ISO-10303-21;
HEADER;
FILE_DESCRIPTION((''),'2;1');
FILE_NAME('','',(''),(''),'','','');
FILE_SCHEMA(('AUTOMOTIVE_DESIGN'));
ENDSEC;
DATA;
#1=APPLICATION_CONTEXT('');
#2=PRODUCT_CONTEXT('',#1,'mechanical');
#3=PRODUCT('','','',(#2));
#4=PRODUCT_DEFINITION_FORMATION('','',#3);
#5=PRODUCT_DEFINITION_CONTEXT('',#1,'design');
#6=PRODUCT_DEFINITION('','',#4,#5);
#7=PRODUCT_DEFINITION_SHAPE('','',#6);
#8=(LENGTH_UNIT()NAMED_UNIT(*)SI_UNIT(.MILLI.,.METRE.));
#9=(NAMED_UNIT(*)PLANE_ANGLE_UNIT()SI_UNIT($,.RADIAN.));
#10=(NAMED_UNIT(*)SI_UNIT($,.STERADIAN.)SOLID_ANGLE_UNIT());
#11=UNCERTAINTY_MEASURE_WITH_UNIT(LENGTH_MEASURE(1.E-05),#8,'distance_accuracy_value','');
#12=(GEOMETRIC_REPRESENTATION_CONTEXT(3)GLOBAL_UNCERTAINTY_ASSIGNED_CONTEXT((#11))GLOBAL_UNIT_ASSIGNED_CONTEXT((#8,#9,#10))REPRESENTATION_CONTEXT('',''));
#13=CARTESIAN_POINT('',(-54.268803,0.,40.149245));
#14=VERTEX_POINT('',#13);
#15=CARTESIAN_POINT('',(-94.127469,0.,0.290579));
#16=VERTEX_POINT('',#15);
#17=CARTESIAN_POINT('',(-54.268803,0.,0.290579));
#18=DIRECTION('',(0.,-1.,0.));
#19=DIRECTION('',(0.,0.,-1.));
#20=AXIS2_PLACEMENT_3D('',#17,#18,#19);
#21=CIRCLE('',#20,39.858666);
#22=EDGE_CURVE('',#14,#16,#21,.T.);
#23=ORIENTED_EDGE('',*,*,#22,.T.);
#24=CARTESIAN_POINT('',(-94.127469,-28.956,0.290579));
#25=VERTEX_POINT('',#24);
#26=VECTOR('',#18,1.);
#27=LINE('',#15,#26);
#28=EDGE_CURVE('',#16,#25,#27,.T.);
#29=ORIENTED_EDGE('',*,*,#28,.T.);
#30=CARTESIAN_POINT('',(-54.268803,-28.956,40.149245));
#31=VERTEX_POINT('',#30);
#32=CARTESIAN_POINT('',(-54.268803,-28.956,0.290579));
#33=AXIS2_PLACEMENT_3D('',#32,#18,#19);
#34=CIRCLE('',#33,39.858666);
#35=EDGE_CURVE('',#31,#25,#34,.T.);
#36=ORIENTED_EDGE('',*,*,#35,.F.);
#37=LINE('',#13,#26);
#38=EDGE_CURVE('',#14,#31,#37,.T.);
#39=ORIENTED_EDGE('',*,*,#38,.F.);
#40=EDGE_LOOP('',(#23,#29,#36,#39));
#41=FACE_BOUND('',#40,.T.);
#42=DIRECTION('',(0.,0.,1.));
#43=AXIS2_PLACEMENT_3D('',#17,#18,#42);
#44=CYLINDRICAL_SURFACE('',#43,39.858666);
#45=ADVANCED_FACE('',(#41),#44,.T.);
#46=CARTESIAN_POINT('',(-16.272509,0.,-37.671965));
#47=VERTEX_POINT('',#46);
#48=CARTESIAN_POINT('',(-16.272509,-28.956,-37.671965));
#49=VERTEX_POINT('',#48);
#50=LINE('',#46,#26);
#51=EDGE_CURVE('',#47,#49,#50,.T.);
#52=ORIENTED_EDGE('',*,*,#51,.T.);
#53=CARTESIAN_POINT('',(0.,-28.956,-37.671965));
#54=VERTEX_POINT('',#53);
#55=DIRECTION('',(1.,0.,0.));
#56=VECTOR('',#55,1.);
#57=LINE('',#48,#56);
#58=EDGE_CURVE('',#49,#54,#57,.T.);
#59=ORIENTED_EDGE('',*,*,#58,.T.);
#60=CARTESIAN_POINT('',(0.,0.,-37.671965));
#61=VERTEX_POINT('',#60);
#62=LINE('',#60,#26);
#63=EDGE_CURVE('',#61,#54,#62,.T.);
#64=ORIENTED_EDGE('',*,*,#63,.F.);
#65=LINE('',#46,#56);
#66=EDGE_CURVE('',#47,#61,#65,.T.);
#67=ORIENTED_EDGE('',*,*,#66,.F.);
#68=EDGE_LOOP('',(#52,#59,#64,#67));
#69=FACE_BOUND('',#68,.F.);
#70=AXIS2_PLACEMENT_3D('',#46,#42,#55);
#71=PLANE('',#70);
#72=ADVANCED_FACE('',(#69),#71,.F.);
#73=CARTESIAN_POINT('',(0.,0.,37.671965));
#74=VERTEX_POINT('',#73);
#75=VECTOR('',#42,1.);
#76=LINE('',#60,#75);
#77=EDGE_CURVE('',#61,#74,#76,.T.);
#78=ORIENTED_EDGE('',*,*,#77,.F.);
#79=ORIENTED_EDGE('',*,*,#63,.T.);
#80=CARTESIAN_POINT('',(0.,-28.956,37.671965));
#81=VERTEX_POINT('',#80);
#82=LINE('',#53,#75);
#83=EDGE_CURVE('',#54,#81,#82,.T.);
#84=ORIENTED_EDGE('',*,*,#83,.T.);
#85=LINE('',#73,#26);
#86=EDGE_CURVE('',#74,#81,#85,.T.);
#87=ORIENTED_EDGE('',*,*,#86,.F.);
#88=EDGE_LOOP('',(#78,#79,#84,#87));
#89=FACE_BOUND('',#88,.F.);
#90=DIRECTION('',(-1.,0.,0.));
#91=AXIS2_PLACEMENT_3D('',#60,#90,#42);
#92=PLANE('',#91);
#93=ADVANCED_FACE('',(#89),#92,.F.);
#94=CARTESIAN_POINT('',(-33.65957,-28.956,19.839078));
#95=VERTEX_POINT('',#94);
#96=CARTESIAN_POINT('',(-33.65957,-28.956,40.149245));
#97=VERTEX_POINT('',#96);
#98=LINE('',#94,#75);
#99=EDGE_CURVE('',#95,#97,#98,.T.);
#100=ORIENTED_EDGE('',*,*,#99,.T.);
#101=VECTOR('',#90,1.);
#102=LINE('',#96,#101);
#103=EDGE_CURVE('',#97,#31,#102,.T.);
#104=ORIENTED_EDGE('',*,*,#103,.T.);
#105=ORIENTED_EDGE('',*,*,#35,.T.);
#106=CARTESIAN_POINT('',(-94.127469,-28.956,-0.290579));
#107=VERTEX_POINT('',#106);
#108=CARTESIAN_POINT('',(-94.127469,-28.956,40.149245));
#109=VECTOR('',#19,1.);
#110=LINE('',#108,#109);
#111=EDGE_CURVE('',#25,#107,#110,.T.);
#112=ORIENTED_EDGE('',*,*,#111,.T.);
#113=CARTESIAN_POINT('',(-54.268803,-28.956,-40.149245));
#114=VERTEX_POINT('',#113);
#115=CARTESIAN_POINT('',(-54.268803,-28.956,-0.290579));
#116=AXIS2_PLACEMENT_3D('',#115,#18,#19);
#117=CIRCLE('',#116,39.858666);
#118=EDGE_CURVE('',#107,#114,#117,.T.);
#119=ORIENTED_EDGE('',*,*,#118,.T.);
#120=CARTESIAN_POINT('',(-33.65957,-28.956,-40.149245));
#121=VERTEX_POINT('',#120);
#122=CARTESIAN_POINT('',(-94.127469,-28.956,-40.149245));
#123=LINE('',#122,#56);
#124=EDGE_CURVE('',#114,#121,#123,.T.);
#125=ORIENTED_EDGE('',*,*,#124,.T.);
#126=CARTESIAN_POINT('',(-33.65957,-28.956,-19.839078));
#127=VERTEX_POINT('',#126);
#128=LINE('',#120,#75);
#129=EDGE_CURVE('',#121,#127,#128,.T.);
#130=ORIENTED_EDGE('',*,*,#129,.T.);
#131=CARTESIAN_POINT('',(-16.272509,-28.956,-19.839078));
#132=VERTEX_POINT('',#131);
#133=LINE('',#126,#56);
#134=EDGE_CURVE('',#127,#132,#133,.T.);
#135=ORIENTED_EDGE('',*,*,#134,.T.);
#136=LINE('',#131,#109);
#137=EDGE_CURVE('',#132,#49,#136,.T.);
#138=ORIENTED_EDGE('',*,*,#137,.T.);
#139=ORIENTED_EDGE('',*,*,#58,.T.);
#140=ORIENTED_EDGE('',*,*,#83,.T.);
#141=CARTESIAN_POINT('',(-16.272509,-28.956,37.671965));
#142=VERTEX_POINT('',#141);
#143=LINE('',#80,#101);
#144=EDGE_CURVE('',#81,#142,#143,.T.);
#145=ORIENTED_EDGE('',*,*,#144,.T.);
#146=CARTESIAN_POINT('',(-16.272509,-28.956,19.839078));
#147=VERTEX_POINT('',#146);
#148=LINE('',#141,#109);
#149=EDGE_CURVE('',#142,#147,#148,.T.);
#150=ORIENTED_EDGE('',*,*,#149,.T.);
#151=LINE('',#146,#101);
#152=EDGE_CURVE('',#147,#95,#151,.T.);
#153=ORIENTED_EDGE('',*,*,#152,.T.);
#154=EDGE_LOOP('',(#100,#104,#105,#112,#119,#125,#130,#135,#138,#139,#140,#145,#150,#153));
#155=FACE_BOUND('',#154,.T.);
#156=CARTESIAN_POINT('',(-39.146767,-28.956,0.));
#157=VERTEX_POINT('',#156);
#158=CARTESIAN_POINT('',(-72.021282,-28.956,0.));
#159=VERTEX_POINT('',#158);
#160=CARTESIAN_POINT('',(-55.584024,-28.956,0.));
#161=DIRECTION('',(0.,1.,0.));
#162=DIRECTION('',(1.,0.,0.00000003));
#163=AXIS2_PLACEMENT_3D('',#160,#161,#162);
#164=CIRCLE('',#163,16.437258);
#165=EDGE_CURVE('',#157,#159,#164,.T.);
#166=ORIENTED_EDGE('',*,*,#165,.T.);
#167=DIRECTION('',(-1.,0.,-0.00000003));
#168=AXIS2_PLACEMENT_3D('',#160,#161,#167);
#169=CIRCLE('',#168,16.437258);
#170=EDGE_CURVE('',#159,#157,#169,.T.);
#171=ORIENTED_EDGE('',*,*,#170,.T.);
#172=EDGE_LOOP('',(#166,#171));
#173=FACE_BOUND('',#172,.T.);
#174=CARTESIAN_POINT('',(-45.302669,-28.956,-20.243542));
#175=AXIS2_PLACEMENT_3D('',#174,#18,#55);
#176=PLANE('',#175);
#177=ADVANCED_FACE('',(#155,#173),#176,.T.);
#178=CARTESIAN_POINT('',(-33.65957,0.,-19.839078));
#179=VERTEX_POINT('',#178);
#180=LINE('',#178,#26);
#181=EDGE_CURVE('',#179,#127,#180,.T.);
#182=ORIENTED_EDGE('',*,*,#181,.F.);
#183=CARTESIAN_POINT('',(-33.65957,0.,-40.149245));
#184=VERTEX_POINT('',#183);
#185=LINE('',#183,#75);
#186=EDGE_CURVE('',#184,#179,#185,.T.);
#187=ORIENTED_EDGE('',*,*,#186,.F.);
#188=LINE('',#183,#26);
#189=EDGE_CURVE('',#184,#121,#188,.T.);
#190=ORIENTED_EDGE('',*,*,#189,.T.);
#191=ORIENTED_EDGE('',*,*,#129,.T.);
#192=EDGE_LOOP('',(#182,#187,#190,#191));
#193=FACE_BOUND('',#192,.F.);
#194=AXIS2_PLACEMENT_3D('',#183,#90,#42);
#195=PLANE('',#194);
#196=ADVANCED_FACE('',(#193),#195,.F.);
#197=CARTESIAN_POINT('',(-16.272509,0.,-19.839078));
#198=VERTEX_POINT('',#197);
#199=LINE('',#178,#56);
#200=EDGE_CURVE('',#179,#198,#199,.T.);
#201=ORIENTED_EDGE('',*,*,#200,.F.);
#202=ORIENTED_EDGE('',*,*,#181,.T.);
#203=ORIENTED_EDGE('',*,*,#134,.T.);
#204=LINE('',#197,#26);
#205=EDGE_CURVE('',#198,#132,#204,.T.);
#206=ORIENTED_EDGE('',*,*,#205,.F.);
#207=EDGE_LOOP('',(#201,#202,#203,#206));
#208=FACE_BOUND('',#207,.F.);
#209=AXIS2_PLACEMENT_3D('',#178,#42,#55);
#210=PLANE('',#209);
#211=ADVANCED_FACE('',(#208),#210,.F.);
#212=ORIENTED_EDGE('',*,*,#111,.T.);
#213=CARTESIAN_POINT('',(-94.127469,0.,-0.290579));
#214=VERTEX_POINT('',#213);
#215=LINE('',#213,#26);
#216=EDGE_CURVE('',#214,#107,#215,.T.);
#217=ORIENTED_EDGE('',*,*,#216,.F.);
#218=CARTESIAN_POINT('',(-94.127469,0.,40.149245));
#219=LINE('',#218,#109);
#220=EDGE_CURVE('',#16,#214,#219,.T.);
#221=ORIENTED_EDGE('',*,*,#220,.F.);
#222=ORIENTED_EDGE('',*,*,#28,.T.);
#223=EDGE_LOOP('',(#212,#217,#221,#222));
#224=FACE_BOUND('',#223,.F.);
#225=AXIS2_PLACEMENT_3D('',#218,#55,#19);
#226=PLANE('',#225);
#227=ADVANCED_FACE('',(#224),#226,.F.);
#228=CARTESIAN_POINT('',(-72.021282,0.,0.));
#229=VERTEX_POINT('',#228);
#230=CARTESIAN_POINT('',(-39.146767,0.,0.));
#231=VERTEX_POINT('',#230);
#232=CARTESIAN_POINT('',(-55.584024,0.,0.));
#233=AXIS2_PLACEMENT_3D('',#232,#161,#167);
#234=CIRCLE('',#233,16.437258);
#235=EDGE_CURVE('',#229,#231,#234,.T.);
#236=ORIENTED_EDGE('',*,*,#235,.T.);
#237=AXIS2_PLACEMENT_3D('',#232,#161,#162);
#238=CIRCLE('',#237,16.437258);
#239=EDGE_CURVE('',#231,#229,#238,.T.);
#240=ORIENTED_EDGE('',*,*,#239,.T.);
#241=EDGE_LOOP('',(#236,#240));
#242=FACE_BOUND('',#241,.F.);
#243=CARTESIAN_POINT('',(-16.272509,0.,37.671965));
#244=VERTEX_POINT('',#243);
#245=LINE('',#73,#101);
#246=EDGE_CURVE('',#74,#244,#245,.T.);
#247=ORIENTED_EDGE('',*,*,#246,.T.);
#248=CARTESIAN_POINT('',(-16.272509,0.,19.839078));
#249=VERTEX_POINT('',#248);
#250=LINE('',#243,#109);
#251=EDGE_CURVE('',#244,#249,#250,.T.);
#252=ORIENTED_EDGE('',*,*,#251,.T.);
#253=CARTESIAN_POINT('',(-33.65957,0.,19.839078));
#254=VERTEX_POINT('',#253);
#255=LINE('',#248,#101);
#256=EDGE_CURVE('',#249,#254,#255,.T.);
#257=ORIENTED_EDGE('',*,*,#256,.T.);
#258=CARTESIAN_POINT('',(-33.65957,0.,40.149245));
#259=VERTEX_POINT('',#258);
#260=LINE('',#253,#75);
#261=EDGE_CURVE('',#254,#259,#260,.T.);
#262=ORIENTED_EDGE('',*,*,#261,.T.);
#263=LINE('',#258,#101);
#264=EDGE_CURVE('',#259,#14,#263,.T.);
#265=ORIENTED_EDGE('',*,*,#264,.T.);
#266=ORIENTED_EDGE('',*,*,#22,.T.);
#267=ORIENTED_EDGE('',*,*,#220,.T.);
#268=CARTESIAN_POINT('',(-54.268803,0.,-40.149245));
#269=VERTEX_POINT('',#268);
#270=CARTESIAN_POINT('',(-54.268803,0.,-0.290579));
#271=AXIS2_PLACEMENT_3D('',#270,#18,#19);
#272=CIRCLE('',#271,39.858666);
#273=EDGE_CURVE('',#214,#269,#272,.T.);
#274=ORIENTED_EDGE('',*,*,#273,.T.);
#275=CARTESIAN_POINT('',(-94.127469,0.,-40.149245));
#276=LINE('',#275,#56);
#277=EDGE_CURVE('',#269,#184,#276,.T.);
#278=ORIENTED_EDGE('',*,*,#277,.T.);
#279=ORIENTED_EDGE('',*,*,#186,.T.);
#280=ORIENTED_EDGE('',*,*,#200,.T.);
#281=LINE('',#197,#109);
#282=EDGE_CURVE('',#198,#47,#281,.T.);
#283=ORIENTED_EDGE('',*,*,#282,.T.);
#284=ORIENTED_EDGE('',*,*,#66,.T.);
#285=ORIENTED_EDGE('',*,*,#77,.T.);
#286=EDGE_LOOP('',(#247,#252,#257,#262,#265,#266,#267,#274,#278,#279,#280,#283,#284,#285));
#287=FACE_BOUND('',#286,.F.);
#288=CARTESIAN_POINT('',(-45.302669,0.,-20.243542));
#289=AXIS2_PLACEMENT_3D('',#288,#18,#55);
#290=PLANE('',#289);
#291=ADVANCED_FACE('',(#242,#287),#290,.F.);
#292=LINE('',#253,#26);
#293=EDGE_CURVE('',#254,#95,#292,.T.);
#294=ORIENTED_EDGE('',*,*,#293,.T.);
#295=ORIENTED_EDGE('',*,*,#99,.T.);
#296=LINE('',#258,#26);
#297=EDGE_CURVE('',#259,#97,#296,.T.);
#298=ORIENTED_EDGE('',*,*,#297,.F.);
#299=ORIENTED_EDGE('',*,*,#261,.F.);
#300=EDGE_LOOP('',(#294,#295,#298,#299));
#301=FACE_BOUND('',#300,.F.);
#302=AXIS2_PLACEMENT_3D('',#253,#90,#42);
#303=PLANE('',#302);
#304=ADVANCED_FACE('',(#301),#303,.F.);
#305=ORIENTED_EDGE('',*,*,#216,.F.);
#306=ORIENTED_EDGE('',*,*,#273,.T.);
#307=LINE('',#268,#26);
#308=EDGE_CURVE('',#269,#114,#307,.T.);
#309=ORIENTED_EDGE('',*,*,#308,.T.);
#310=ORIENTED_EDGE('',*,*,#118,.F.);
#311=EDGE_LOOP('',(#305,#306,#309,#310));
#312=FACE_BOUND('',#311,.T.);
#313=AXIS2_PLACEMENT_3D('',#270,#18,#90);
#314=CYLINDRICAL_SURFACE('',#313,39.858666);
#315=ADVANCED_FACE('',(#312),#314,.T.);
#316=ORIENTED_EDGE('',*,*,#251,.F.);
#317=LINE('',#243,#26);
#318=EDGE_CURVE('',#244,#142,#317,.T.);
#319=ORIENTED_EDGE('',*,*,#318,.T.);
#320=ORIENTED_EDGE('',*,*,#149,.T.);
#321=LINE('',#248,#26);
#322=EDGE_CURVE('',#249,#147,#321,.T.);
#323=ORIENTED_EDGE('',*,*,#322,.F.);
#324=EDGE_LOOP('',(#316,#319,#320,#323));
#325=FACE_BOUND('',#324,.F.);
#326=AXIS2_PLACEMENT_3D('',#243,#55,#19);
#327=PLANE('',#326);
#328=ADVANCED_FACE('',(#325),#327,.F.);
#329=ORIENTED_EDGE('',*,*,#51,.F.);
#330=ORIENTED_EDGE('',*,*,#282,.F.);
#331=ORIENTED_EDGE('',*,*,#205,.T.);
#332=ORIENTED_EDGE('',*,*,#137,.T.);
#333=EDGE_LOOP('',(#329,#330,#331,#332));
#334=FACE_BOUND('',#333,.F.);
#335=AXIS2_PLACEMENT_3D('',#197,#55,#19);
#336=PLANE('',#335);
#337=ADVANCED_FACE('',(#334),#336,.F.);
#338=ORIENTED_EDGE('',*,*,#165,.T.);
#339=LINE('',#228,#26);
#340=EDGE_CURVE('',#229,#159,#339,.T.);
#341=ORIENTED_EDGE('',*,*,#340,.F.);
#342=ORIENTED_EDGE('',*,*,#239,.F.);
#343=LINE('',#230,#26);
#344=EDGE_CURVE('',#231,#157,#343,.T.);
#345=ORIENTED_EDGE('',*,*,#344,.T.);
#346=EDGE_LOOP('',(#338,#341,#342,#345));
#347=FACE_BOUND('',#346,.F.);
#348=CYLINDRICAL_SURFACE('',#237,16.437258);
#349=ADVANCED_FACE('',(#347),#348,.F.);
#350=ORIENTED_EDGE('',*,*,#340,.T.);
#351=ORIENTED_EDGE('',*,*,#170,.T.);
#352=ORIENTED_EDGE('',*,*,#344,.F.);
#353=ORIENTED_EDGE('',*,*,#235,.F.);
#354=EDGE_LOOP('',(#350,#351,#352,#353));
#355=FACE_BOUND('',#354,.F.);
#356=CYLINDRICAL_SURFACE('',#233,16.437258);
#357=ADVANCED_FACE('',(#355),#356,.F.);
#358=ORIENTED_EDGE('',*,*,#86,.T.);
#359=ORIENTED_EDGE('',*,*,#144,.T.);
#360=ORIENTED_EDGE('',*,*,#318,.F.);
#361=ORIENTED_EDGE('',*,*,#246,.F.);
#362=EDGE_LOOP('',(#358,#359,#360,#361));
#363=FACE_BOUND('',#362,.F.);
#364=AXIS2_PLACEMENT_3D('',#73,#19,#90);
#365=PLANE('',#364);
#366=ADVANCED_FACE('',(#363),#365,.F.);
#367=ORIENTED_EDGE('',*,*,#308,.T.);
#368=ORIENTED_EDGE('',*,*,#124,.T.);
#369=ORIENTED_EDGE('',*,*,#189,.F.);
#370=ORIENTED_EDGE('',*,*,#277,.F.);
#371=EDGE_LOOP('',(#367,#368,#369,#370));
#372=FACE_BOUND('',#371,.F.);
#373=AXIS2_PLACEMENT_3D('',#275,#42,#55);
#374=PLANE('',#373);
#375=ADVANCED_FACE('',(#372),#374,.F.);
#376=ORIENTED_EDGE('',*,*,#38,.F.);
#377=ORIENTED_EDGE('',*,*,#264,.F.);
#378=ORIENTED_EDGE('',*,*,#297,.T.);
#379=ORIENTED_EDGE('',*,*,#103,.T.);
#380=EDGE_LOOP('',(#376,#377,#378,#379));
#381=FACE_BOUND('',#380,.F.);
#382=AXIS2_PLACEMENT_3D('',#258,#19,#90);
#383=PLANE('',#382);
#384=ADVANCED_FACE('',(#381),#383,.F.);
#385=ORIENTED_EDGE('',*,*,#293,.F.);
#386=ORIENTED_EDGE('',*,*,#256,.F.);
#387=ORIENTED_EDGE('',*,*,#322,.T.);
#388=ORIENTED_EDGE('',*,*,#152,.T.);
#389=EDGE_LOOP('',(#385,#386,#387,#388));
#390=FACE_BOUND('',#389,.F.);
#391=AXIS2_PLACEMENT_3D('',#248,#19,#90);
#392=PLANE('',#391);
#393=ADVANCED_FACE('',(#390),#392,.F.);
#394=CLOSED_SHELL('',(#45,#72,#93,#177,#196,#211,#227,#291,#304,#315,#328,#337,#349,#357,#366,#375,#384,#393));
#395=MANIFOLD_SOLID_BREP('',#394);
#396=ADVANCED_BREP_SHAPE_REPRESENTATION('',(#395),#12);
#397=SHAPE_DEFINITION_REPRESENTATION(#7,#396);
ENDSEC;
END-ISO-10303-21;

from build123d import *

# Parameters (mm, degrees)
F1_DEPTH = 28.956
F2_R     = 39.858666


with BuildPart() as f1:
    # F0 (on Front) → F1 (new body)
    with BuildSketch(Plane.XZ):
        with BuildLine():
            Line((0, -37.671965), (0, 0))
            Line((0, 0), (-39.146767, 0))
            ThreePointArc((-39.146767, 0), (-55.584025, -16.437258), (-72.021282, 0))
            Line((-72.021282, 0), (-94.127469, 0))
            Line((-94.127469, 0), (-94.127469, -40.149245))
            Line((-94.127469, -40.149245), (-65.204445, -40.149245))
            Line((-65.204445, -40.149245), (-55.504855, -40.149245))
            Line((-55.504855, -40.149245), (-33.65957, -40.149245))
            Line((-33.65957, -40.149245), (-33.65957, -19.839078))
            Line((-33.65957, -19.839078), (-16.272509, -19.839078))
            Line((-16.272509, -19.839078), (-16.272509, -36.780316))
            Line((-16.272509, -36.780316), (-16.272509, -37.671965))
            Line((-16.272509, -37.671965), (0, -37.671965))
        make_face()
        with BuildLine():
            Line((0, 0), (0, 37.671965))
            Line((0, 37.671965), (-16.272509, 37.671965))
            Line((-16.272509, 37.671965), (-16.272509, 36.780316))
            Line((-16.272509, 36.780316), (-16.272509, 19.839078))
            Line((-16.272509, 19.839078), (-33.65957, 19.839078))
            Line((-33.65957, 19.839078), (-33.65957, 40.149245))
            Line((-33.65957, 40.149245), (-55.504855, 40.149245))
            Line((-55.504855, 40.149245), (-65.204445, 40.149245))
            Line((-65.204445, 40.149245), (-94.127469, 40.149245))
            Line((-94.127469, 40.149245), (-94.127469, 0))
            Line((-94.127469, 0), (-72.021282, 0))
            ThreePointArc((-72.021282, 0), (-55.584025, 16.437258), (-39.146767, 0))
            Line((-39.146767, 0), (0, 0))
        make_face()
    extrude(amount=F1_DEPTH)

    # F2
    f2_edges = [f1.edges().sort_by_distance(p)[0] for p in [
        (-94.127469, -14.478, 40.149245),
        (-94.127469, -14.478, -40.149245),
    ]]
    fillet(f2_edges, radius=F2_R)


solid = f1.part
